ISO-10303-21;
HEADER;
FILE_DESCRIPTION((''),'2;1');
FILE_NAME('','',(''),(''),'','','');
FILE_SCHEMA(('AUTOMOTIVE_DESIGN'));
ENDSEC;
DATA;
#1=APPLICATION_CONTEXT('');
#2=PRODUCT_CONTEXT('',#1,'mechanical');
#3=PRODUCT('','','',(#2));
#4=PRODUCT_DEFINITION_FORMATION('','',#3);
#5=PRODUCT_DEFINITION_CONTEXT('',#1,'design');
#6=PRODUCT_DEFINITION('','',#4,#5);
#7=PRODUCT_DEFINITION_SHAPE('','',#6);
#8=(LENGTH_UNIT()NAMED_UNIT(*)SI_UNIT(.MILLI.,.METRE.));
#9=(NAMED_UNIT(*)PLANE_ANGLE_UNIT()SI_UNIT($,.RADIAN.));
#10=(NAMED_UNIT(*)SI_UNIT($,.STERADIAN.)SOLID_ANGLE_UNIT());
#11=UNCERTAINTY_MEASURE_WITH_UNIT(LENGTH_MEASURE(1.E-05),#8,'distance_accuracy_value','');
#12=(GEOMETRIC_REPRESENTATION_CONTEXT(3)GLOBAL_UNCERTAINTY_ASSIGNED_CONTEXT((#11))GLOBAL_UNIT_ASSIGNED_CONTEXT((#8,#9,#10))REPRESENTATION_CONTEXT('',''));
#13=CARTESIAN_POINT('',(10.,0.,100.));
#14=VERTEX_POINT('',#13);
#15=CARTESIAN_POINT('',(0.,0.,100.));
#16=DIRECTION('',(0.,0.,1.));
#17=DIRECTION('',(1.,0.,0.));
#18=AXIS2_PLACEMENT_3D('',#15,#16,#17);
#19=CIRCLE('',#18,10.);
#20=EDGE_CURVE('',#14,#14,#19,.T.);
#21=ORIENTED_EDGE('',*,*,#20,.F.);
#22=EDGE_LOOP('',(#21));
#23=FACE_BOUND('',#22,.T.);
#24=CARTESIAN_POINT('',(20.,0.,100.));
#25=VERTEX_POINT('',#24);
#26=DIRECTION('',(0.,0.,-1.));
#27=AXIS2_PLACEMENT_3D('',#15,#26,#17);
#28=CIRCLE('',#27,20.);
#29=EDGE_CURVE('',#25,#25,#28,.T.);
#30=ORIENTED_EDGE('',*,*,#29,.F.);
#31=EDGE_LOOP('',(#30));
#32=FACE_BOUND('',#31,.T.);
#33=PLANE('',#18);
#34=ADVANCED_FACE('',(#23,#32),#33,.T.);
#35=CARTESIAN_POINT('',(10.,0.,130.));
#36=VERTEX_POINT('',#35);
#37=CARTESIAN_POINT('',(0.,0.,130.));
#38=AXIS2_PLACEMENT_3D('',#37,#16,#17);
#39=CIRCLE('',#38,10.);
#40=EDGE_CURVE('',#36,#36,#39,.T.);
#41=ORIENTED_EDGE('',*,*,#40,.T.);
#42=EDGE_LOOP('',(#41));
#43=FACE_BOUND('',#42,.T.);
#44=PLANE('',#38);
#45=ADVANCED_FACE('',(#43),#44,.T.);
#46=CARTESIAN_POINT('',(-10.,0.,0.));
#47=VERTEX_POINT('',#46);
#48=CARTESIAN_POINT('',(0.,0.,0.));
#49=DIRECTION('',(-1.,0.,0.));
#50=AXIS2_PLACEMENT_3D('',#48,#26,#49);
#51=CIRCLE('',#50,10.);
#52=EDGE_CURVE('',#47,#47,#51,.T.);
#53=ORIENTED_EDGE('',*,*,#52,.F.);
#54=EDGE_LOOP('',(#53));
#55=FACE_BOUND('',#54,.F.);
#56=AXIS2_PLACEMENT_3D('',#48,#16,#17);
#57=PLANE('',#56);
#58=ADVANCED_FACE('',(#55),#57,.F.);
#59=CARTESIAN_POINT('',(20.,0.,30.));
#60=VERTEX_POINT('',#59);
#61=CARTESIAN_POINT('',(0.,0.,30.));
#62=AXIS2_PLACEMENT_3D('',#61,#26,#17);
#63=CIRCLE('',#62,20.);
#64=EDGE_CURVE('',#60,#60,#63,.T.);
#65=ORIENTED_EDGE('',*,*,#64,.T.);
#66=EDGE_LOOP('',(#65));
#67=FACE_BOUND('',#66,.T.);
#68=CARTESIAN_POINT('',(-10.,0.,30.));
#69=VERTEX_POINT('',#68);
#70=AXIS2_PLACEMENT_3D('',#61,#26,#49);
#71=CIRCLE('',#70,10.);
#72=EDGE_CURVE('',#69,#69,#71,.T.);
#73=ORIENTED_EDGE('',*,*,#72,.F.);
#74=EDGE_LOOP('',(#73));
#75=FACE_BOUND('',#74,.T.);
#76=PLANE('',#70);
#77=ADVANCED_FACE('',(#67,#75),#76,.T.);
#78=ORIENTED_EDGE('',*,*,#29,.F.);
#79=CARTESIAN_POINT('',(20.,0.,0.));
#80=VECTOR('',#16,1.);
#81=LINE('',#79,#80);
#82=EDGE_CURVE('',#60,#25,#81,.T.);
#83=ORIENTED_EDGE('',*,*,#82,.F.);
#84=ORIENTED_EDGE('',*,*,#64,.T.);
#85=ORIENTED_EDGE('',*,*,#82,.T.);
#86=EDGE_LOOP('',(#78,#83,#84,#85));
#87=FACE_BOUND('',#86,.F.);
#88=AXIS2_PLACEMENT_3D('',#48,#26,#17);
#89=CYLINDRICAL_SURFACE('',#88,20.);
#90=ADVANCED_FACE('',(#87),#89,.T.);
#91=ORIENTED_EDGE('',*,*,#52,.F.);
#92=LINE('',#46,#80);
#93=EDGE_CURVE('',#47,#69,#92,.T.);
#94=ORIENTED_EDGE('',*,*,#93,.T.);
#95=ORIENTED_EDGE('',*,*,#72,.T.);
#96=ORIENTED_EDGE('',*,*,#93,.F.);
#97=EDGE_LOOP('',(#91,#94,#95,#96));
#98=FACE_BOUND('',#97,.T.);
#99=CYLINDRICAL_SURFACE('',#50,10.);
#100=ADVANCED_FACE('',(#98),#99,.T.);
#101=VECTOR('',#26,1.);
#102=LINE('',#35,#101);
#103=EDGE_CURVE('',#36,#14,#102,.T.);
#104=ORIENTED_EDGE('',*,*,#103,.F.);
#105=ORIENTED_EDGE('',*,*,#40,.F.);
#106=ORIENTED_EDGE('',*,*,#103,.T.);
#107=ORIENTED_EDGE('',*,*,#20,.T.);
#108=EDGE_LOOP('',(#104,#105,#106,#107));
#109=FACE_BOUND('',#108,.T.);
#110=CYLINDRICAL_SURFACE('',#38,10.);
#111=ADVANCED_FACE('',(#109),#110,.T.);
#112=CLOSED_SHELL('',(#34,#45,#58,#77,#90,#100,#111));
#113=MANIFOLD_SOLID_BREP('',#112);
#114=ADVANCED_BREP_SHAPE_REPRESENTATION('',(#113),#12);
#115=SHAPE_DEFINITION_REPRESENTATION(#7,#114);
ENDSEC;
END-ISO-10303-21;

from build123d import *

# Parameters (mm, degrees)
SKETCH2_R           = 20
BOSS_EXTRUDE4_DEPTH = 130
SKETCH3_OUTSIDE_W   = 70.354
SKETCH3_OUTSIDE_H   = 70.354
SKETCH3_OUTSIDE_R   = 10
CUT_EXTRUDE1_DEPTH  = 30
SKETCH4_OUTSIDE_W   = 70.354
SKETCH4_OUTSIDE_H   = 70.354
SKETCH4_OUTSIDE_R   = 10
CUT_EXTRUDE2_DEPTH  = 30


with BuildPart() as part:
    # Sketch2 → Boss-Extrude4 (new body)
    with BuildSketch(Plane.XY):
        Circle(SKETCH2_R)
    extrude(amount=BOSS_EXTRUDE4_DEPTH)

    # Sketch3 outside → Cut-Extrude1 (cut)
    with BuildSketch(Plane.XY.offset(130)):
        Rectangle(SKETCH3_OUTSIDE_W, SKETCH3_OUTSIDE_H)
        Circle(SKETCH3_OUTSIDE_R, mode=Mode.SUBTRACT)
    extrude(amount=-CUT_EXTRUDE1_DEPTH, mode=Mode.SUBTRACT)

    # Sketch4 outside → Cut-Extrude2 (cut)
    with BuildSketch(Plane(origin=(0, 0, 0), x_dir=(-1, 0, 0), z_dir=(0, 0, -1))):
        Rectangle(SKETCH4_OUTSIDE_W, SKETCH4_OUTSIDE_H)
        Circle(SKETCH4_OUTSIDE_R, mode=Mode.SUBTRACT)
    extrude(amount=-CUT_EXTRUDE2_DEPTH, mode=Mode.SUBTRACT)


solid = part.part
